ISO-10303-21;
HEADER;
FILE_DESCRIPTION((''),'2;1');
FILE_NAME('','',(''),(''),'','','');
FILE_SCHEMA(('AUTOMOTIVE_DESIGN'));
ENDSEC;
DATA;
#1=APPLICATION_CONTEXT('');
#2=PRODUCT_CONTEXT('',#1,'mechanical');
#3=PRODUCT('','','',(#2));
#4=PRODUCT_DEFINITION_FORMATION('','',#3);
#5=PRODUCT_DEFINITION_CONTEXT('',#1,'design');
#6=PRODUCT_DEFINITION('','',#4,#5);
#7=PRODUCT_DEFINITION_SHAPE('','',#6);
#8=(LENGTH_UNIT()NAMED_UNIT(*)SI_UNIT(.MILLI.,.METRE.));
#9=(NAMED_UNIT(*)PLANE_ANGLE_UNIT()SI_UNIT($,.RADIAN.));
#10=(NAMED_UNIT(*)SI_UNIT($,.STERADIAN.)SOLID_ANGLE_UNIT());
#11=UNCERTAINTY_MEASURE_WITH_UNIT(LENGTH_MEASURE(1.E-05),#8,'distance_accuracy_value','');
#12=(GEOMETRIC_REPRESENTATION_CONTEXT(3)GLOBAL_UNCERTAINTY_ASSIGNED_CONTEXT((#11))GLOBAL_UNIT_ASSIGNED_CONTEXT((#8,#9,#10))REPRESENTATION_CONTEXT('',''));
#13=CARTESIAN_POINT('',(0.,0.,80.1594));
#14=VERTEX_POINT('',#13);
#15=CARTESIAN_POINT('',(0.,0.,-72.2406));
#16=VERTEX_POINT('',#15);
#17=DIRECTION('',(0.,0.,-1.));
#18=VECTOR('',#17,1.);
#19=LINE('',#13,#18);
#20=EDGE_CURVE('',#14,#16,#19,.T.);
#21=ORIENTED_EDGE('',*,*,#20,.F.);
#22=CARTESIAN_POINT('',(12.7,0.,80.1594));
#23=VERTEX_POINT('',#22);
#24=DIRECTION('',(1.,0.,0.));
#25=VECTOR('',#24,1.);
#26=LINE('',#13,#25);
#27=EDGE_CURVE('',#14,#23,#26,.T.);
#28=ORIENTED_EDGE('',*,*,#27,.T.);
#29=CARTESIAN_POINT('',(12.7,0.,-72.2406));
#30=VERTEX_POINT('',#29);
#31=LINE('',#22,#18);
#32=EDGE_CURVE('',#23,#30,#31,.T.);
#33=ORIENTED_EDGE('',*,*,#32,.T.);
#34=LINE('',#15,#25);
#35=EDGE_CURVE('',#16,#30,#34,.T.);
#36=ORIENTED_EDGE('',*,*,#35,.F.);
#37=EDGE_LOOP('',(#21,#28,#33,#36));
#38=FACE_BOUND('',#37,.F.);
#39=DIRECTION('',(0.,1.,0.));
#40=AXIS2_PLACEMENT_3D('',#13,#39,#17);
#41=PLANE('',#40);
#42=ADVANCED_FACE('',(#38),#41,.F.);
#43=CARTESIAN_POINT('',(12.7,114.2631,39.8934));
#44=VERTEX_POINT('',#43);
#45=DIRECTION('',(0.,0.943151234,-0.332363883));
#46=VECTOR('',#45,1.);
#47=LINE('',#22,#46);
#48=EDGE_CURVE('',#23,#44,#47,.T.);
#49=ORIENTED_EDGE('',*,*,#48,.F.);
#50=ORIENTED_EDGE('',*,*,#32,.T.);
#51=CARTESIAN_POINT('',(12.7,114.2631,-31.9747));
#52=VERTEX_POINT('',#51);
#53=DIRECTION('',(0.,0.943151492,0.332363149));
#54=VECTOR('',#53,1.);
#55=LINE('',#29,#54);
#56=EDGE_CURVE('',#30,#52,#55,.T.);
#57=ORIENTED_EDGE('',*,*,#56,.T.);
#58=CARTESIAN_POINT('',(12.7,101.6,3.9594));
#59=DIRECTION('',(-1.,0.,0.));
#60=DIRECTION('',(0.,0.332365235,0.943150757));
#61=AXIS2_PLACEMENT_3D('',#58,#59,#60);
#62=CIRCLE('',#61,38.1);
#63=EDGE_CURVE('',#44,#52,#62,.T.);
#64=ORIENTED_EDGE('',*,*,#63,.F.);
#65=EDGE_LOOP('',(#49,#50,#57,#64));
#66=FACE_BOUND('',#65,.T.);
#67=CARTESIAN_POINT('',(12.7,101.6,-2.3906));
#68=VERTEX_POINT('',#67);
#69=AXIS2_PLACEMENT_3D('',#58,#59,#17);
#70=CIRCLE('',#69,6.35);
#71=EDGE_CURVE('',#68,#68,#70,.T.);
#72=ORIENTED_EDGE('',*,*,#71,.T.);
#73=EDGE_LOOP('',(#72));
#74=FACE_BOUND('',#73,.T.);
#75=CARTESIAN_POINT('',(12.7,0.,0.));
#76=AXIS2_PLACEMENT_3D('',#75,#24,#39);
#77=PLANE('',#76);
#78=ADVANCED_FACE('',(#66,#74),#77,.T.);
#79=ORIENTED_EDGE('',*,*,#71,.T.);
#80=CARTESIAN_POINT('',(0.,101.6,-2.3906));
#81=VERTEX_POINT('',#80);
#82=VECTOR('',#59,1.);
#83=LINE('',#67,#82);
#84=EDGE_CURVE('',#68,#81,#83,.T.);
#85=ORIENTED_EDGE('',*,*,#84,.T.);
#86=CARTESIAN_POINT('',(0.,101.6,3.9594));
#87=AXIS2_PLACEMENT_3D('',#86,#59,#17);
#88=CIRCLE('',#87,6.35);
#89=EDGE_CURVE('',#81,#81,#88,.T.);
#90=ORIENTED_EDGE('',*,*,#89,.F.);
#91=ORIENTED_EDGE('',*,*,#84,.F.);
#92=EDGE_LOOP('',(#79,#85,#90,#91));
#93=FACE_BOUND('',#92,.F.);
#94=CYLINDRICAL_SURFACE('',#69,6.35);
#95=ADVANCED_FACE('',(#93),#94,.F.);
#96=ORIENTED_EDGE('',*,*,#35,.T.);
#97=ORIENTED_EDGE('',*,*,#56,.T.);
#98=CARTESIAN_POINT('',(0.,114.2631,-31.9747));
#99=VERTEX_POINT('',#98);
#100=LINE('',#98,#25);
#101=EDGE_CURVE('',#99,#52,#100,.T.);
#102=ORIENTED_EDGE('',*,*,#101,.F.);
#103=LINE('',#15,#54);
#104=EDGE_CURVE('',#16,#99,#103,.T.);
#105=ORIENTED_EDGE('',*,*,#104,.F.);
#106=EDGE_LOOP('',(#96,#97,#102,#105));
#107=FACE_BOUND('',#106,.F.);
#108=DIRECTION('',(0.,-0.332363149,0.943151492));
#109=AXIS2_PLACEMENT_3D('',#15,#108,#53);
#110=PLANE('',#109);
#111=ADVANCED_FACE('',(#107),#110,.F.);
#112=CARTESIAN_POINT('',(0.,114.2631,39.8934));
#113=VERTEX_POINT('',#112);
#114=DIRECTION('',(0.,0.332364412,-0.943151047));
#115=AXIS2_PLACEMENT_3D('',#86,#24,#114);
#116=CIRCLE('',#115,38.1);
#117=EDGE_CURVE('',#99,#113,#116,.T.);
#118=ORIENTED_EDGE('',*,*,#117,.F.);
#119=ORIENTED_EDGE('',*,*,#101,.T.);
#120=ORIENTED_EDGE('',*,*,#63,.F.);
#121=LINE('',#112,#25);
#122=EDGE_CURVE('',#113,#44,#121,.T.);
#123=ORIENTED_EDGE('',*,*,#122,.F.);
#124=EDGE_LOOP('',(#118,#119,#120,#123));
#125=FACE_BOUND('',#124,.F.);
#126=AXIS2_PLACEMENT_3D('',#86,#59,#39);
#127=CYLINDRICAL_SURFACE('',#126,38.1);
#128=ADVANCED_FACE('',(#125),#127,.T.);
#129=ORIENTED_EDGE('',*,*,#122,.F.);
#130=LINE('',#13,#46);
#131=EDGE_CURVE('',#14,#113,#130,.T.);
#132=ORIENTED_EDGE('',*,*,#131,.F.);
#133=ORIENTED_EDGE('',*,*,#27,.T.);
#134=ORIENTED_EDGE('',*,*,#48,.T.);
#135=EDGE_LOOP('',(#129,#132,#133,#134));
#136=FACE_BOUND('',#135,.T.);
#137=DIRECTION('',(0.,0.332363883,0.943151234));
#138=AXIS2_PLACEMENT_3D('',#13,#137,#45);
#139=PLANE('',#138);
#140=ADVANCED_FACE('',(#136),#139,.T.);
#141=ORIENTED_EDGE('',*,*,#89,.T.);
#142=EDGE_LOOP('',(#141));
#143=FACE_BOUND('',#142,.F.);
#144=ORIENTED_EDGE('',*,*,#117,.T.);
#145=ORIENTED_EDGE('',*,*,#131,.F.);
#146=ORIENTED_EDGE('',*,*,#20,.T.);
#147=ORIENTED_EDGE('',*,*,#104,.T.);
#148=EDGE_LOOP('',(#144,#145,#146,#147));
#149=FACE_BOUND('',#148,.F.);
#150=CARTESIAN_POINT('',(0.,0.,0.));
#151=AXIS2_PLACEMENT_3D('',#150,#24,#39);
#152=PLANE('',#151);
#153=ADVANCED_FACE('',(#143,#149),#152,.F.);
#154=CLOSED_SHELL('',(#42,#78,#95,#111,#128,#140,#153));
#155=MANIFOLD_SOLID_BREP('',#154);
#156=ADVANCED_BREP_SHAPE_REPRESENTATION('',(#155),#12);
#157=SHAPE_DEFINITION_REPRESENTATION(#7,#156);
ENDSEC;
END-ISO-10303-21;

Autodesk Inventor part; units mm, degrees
ref_plane "YZ Plane" through (0, 0, 0) normal (1, 0, 0) x (0, 1, 0)
ref_plane "XZ Plane" through (0, 0, 0) normal (0, 1, 0) x (-1, 0, 0)
ref_plane "XY Plane" through (0, 0, 0) normal (0, 0, 1) x (1, 0, 0)
sketch "Sketch1" plane through (0, 0, 0) normal (1, 0, 0) x (0, 1, 0)
  line L0 (0, 80.1594) -> (0, -72.2406)
  circle A0 centre (101.6, 3.9594) radius 38.1
  line L1 (0, -72.2406) -> (114.2631, -31.9747)
  line L2 (0, 80.1594) -> (114.2631, 39.8934)
  point P0 (0, 0)
  dimension "d0" = 152.4
  dimension "d1" = 76.2
  dimension "d2" = 101.6
extrude "Extrusion1" add sketch "Sketch1" along normal blind 12.7
sketch "Sketch2" plane through (12.7, 0, 0) normal (1, 0, 0) x (0, 0, -1)
  arc A0 (31.9747, 114.2631) -> (-39.8934, 114.2631) centre (-3.9594, 101.6) ccw projected
  point P0 (0, 0)
hole "Hole1" at (12.7, 101.6, 3.9594) direction (-1, 0, 0) diameter 12.7 end through all
properties part number "Roller Frame"
